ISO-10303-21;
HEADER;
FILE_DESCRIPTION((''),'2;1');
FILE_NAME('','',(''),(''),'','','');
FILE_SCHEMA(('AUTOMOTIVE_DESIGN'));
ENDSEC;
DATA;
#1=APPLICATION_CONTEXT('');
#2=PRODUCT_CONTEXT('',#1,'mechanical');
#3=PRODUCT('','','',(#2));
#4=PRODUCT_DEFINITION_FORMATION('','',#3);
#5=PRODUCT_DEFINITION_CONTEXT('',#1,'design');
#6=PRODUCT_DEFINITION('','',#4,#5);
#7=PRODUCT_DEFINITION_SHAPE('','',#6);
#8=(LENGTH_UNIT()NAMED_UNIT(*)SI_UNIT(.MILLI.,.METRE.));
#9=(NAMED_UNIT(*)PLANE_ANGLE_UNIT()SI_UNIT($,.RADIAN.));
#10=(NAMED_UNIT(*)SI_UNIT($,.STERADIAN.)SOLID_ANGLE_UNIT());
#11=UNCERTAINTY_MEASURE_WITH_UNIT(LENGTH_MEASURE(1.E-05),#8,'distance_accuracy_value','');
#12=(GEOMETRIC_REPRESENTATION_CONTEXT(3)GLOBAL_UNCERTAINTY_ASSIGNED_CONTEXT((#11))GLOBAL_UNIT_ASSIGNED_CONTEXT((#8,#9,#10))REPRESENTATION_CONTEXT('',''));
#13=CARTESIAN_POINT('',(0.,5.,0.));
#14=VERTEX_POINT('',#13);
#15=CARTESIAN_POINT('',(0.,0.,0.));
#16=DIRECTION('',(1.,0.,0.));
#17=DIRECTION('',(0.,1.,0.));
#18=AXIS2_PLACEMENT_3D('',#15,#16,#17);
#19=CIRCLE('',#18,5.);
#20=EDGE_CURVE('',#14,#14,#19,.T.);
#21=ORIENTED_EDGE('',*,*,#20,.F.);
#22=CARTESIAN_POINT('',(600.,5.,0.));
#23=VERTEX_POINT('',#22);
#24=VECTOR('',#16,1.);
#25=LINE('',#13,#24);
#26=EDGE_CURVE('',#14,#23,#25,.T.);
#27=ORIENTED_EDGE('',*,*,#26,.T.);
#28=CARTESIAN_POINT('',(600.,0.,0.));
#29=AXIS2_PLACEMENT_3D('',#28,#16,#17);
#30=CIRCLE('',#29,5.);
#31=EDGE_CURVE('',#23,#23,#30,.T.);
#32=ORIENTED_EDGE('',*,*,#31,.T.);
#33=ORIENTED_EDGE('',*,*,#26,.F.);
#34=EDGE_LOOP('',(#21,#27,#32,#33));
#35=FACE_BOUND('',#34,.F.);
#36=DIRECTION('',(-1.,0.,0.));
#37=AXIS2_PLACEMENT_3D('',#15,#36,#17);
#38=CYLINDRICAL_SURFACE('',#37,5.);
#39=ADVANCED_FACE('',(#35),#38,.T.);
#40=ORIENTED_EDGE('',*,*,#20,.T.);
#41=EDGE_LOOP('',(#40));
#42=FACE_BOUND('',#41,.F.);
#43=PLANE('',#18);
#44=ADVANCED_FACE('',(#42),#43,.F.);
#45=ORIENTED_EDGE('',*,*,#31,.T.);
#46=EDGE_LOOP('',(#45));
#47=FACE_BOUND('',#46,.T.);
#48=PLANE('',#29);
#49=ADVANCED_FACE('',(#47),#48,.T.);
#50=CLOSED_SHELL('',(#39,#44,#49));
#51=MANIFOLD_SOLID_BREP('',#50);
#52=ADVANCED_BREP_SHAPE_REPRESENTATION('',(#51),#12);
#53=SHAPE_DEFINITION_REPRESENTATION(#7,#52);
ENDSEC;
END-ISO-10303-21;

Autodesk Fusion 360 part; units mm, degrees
sketch "Sketch1" plane through (0, 0, 0) normal (1, 0, 0) x (0, 1, 0)
  circle A0 centre (0, 0) radius 5
  dimension "d1" = 10
extrude "Extrude1" add sketch "Sketch1" along normal blind 600
